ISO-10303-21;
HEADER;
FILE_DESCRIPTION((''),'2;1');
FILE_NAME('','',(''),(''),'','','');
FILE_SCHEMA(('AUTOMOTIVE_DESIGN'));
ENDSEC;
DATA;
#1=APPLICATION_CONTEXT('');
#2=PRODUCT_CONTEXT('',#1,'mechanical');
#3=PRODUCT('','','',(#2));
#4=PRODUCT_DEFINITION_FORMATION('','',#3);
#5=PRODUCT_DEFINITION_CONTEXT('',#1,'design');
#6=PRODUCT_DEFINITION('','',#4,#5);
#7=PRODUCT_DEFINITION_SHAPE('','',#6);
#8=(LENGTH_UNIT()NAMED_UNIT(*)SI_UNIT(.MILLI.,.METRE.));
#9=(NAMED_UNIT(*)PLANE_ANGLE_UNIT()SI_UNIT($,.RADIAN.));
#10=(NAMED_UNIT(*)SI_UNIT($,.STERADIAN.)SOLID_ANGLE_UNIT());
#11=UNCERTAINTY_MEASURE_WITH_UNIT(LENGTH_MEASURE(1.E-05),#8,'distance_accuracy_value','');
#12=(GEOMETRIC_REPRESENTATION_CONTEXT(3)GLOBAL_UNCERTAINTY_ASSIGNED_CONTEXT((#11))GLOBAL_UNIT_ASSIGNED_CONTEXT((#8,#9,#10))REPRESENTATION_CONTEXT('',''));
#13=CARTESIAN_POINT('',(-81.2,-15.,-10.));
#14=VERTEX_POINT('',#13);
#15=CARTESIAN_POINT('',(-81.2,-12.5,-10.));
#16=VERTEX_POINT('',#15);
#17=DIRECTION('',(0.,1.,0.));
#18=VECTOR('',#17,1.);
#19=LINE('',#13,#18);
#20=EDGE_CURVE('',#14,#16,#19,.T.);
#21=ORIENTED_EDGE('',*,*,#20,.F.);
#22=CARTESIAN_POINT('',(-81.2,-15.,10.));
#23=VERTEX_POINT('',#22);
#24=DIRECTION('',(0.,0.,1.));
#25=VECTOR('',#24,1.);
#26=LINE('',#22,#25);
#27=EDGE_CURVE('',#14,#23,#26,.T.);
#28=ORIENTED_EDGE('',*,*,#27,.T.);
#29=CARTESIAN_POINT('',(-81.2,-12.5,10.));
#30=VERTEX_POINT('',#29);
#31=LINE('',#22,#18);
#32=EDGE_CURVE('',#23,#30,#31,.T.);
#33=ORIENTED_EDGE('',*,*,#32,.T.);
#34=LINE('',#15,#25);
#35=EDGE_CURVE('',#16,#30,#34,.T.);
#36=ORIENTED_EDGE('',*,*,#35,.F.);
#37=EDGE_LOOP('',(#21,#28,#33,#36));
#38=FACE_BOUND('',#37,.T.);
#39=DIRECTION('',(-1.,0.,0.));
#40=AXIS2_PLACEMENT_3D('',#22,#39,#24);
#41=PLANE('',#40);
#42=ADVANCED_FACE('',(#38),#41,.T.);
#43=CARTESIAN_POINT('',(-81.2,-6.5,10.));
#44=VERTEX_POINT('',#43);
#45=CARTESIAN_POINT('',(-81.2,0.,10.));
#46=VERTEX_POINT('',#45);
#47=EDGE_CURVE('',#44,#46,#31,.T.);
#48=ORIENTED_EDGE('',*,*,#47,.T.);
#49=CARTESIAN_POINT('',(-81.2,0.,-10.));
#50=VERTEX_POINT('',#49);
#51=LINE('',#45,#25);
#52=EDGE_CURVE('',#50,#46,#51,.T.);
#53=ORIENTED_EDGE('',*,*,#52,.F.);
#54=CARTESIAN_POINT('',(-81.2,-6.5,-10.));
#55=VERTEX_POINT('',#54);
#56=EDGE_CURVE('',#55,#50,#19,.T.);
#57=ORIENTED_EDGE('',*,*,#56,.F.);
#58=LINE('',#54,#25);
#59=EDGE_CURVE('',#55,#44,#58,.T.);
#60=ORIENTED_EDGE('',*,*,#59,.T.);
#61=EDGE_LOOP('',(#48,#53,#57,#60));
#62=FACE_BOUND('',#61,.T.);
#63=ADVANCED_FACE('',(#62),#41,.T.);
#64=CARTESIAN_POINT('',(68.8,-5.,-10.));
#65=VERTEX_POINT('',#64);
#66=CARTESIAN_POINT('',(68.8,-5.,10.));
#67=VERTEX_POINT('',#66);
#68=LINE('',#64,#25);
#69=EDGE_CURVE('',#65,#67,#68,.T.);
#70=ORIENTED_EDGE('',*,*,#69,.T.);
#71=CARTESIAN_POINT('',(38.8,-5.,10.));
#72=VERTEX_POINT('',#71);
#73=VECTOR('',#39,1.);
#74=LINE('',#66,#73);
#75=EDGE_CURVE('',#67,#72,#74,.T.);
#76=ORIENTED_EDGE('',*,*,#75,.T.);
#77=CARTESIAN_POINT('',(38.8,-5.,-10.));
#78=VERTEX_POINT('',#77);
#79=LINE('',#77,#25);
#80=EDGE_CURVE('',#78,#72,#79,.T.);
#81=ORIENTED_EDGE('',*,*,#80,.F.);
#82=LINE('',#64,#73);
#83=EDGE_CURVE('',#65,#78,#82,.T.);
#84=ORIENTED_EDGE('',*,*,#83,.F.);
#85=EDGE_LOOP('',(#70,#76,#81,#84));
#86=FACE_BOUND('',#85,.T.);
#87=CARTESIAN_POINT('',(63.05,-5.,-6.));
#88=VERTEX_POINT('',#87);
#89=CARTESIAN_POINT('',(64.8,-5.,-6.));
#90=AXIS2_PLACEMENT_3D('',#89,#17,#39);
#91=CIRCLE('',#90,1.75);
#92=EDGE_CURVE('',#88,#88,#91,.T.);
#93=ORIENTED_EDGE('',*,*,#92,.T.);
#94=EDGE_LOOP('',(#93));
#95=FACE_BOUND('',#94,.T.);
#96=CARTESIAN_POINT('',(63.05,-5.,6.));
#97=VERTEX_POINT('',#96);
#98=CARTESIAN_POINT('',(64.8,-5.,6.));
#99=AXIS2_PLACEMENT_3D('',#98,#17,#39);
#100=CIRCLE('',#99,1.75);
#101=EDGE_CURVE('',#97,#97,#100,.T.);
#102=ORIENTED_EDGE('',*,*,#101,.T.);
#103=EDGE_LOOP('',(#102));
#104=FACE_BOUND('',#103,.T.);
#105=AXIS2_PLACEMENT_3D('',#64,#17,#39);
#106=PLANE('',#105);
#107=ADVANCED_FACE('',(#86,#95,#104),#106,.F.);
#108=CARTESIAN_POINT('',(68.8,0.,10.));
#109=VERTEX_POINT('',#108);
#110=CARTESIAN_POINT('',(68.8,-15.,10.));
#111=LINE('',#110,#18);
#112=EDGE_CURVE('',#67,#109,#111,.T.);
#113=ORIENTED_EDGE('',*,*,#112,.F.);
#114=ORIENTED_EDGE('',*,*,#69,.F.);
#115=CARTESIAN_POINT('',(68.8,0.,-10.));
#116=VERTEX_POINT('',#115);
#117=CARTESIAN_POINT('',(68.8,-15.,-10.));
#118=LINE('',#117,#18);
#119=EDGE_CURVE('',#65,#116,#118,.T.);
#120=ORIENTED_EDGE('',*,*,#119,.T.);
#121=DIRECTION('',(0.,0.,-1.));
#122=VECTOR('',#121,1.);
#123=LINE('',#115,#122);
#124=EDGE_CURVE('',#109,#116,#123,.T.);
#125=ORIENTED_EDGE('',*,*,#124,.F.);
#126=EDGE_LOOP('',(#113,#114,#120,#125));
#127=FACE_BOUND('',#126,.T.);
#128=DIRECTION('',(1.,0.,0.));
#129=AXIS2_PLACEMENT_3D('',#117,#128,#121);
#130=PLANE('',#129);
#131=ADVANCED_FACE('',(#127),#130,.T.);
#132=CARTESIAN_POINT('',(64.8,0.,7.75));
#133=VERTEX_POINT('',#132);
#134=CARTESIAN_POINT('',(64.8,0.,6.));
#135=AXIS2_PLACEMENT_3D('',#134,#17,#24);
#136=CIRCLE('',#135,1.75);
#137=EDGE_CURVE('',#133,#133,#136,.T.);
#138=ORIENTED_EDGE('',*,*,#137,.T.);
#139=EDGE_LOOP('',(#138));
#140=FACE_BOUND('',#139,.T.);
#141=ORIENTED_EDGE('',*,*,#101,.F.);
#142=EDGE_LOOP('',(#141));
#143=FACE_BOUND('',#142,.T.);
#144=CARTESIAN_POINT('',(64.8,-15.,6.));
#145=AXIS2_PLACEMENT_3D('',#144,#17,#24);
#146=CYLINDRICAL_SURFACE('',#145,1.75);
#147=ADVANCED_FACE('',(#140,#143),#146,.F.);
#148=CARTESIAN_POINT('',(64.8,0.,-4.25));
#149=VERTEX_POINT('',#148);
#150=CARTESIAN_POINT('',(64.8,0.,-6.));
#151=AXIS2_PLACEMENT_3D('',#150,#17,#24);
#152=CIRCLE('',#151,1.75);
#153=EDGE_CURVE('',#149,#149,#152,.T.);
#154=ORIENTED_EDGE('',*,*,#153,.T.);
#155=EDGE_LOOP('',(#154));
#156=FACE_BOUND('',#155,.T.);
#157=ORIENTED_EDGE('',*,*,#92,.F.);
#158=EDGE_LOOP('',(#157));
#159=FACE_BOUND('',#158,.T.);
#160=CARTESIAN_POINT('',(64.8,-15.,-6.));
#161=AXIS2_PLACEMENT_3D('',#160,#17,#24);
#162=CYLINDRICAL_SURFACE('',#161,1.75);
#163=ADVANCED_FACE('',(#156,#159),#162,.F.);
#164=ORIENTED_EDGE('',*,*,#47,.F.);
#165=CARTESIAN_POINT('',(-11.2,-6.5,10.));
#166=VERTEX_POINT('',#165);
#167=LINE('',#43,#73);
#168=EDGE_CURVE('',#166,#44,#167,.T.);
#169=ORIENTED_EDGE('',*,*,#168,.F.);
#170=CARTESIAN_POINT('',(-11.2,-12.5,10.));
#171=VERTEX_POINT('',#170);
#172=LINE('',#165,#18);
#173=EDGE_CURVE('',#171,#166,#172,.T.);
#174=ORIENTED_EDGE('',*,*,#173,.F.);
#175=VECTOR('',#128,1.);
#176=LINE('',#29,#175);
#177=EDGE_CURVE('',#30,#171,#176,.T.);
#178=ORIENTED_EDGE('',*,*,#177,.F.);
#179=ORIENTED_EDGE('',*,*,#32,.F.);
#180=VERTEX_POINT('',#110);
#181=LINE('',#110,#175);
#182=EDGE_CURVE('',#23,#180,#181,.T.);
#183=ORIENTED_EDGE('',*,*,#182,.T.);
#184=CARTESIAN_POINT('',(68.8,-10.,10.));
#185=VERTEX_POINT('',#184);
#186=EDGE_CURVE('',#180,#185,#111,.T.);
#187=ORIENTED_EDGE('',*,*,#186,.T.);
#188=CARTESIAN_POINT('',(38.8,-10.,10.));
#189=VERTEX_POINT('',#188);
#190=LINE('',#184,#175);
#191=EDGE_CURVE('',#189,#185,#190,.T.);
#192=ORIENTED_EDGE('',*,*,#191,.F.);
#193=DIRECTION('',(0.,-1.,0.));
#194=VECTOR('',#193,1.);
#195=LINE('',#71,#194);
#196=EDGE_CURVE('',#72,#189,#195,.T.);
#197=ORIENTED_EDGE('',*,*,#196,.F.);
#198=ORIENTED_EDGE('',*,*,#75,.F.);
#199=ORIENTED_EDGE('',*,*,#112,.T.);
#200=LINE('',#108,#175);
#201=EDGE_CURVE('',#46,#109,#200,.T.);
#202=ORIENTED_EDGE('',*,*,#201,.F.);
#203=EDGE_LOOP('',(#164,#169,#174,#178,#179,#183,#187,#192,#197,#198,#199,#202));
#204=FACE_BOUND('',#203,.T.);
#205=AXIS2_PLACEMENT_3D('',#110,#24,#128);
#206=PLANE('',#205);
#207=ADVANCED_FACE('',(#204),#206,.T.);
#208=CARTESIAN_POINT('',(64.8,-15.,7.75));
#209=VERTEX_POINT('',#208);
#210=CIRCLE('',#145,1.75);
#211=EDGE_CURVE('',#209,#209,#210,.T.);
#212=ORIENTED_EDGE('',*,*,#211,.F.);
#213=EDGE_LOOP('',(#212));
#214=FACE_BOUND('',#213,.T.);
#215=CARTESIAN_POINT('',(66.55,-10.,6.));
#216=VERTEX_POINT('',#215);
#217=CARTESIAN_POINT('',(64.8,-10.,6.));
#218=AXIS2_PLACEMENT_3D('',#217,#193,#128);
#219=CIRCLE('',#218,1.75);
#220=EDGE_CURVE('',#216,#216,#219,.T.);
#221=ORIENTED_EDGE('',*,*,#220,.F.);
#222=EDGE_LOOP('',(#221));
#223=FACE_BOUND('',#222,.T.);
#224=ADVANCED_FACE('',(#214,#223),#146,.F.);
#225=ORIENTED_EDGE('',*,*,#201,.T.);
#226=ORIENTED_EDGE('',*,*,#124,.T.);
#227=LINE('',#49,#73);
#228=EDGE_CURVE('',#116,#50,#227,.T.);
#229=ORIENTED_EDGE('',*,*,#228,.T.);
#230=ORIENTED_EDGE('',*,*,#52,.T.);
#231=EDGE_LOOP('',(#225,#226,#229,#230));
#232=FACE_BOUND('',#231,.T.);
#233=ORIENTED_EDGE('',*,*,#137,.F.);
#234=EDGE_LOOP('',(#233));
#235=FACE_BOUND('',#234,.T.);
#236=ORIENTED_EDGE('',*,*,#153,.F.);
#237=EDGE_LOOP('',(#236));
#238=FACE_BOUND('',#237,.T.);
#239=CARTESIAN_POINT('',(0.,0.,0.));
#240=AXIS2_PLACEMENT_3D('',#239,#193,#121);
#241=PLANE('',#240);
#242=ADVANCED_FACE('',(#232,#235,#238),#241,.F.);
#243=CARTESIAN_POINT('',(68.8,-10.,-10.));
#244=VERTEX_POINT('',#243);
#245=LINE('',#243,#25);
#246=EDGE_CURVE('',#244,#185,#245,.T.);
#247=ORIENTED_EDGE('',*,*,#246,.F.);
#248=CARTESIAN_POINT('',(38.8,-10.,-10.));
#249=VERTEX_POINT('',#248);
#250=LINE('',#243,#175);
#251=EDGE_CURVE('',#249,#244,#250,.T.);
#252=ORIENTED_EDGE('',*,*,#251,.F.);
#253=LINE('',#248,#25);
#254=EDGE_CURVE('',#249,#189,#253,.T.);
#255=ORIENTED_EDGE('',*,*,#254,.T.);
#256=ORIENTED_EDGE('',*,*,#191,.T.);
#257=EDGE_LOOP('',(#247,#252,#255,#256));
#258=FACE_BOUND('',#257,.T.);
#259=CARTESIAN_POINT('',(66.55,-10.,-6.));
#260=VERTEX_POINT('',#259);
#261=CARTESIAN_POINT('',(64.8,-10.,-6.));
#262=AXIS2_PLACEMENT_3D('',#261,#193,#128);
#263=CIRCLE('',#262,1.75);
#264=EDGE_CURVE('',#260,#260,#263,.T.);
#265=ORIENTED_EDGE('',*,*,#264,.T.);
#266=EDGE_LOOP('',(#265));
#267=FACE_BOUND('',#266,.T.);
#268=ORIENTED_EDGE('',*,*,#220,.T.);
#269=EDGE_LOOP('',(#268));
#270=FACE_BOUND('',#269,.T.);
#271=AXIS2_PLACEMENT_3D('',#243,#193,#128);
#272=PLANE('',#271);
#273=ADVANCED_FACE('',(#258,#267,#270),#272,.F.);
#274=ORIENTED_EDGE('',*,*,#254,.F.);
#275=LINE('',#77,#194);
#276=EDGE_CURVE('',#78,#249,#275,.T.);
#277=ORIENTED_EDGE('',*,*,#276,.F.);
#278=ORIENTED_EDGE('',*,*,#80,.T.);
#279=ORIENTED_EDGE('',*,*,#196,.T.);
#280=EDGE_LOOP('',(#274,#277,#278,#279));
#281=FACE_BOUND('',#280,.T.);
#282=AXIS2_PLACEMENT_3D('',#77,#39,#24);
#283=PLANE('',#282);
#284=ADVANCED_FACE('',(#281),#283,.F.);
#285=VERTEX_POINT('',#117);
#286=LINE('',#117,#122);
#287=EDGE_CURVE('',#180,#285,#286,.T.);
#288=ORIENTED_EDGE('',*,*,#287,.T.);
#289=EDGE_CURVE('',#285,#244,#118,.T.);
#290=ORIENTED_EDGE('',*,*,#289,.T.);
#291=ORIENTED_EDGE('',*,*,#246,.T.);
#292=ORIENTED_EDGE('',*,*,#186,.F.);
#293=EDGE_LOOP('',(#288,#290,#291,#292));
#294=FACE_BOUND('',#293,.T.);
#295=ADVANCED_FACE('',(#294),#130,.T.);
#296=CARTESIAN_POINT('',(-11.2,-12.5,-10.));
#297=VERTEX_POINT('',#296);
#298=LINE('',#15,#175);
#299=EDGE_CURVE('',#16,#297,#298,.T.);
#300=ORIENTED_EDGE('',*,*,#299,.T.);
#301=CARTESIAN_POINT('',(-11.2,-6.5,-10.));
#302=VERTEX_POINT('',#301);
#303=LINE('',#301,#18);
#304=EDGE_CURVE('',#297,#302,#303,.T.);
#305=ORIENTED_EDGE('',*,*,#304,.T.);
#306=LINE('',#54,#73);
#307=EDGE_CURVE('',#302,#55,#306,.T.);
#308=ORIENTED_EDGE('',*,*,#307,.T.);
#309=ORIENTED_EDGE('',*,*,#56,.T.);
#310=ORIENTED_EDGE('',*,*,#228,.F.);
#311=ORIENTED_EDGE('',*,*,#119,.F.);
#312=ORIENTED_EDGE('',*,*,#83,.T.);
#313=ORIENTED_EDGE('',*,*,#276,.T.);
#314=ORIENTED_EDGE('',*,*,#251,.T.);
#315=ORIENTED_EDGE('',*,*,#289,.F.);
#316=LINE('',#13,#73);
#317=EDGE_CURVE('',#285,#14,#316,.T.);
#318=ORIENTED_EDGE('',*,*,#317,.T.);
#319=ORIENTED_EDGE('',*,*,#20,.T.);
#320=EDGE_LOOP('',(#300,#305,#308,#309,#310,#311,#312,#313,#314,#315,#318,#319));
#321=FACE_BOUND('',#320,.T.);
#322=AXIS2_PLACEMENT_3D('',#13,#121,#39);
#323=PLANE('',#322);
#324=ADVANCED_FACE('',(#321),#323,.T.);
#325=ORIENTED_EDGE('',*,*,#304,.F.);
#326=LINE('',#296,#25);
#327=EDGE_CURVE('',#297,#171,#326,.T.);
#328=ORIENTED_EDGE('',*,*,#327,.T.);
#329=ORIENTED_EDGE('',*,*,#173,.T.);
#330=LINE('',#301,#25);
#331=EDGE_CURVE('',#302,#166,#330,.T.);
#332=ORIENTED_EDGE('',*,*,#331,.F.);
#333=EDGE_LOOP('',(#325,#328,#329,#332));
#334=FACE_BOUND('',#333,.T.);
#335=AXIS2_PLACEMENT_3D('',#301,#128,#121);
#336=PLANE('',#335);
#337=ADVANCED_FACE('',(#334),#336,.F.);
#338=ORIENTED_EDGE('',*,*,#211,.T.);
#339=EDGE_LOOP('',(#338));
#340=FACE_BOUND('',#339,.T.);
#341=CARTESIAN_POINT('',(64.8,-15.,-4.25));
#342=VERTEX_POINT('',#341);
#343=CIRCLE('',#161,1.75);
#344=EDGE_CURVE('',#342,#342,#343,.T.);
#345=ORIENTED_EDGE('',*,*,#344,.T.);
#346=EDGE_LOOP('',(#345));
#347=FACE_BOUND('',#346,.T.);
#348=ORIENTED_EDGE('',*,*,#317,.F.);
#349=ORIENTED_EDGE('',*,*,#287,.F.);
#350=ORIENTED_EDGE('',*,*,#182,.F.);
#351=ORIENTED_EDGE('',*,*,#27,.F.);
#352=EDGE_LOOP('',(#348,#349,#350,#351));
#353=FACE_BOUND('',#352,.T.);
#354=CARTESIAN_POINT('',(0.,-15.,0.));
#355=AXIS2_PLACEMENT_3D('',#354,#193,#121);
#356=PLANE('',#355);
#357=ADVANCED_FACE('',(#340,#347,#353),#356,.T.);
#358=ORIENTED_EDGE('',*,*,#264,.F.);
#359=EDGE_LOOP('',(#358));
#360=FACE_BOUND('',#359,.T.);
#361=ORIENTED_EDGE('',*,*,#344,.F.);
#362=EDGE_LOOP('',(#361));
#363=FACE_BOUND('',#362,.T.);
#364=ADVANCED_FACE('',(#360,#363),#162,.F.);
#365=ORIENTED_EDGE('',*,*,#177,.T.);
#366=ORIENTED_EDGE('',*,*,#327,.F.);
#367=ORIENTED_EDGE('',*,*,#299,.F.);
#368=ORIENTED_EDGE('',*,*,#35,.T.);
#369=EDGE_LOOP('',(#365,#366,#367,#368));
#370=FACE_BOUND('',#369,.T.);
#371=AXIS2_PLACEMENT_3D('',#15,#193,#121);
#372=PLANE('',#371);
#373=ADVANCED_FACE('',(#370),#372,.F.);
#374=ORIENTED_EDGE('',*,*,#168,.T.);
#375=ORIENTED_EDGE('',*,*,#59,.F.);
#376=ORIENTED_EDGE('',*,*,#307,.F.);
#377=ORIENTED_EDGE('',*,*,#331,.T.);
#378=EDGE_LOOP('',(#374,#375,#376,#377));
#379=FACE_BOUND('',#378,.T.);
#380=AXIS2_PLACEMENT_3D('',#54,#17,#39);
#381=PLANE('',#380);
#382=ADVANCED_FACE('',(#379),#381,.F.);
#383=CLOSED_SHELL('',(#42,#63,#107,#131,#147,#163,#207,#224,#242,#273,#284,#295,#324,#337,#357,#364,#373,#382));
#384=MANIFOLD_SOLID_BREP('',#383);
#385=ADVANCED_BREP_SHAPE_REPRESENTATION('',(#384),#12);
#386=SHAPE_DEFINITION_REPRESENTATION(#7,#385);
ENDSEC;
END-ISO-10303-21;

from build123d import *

# Parameters (mm, degrees)
SKETCH1_W           = 150
SKETCH1_H           = 20
BOSS_EXTRUDE3_DEPTH = 15
SKETCH11_W          = 70
SKETCH11_H          = 6
CUT_EXTRUDE5_DEPTH  = 85.961403002
SKETCH12_W          = 30
SKETCH12_H          = 5
CUT_EXTRUDE6_DEPTH  = 85.961403002
SKETCH13_R          = 1.75
CUT_EXTRUDE7_DEPTH  = 84.177160327


with BuildPart() as part:
    # Sketch1 → Boss-Extrude3 (new body)
    with BuildSketch(Plane(origin=(0, 0, 0), x_dir=(1, 0, 0), z_dir=(0, 1, 0))):
        with Locations((-6.2, 0)):
            Rectangle(SKETCH1_W, SKETCH1_H)
    extrude(amount=-BOSS_EXTRUDE3_DEPTH)

    # Sketch11 → Cut-Extrude5 (cut, through all)
    with BuildSketch(Plane.XY.offset(10)):
        with Locations((-46.2, -9.5)):
            Rectangle(SKETCH11_W, SKETCH11_H)
    extrude(amount=-CUT_EXTRUDE5_DEPTH, mode=Mode.SUBTRACT)

    # Sketch12 → Cut-Extrude6 (cut, through all)
    with BuildSketch(Plane.XY.offset(10)):
        with Locations((53.8, -7.5)):
            Rectangle(SKETCH12_W, SKETCH12_H)
    extrude(amount=-CUT_EXTRUDE6_DEPTH, mode=Mode.SUBTRACT)

    # Sketch13 → Cut-Extrude7 (cut, through all)
    with BuildSketch(Plane(origin=(0, 0, 0), x_dir=(1, 0, 0), z_dir=(0, 1, 0))):
        with Locations(Location((64.8, -6, 0), (0, 0, 270))):
            Circle(SKETCH13_R)
        with Locations(Location((64.8, 6, 0), (0, 0, 270))):
            Circle(SKETCH13_R)
    extrude(amount=-CUT_EXTRUDE7_DEPTH, mode=Mode.SUBTRACT)


solid = part.part
